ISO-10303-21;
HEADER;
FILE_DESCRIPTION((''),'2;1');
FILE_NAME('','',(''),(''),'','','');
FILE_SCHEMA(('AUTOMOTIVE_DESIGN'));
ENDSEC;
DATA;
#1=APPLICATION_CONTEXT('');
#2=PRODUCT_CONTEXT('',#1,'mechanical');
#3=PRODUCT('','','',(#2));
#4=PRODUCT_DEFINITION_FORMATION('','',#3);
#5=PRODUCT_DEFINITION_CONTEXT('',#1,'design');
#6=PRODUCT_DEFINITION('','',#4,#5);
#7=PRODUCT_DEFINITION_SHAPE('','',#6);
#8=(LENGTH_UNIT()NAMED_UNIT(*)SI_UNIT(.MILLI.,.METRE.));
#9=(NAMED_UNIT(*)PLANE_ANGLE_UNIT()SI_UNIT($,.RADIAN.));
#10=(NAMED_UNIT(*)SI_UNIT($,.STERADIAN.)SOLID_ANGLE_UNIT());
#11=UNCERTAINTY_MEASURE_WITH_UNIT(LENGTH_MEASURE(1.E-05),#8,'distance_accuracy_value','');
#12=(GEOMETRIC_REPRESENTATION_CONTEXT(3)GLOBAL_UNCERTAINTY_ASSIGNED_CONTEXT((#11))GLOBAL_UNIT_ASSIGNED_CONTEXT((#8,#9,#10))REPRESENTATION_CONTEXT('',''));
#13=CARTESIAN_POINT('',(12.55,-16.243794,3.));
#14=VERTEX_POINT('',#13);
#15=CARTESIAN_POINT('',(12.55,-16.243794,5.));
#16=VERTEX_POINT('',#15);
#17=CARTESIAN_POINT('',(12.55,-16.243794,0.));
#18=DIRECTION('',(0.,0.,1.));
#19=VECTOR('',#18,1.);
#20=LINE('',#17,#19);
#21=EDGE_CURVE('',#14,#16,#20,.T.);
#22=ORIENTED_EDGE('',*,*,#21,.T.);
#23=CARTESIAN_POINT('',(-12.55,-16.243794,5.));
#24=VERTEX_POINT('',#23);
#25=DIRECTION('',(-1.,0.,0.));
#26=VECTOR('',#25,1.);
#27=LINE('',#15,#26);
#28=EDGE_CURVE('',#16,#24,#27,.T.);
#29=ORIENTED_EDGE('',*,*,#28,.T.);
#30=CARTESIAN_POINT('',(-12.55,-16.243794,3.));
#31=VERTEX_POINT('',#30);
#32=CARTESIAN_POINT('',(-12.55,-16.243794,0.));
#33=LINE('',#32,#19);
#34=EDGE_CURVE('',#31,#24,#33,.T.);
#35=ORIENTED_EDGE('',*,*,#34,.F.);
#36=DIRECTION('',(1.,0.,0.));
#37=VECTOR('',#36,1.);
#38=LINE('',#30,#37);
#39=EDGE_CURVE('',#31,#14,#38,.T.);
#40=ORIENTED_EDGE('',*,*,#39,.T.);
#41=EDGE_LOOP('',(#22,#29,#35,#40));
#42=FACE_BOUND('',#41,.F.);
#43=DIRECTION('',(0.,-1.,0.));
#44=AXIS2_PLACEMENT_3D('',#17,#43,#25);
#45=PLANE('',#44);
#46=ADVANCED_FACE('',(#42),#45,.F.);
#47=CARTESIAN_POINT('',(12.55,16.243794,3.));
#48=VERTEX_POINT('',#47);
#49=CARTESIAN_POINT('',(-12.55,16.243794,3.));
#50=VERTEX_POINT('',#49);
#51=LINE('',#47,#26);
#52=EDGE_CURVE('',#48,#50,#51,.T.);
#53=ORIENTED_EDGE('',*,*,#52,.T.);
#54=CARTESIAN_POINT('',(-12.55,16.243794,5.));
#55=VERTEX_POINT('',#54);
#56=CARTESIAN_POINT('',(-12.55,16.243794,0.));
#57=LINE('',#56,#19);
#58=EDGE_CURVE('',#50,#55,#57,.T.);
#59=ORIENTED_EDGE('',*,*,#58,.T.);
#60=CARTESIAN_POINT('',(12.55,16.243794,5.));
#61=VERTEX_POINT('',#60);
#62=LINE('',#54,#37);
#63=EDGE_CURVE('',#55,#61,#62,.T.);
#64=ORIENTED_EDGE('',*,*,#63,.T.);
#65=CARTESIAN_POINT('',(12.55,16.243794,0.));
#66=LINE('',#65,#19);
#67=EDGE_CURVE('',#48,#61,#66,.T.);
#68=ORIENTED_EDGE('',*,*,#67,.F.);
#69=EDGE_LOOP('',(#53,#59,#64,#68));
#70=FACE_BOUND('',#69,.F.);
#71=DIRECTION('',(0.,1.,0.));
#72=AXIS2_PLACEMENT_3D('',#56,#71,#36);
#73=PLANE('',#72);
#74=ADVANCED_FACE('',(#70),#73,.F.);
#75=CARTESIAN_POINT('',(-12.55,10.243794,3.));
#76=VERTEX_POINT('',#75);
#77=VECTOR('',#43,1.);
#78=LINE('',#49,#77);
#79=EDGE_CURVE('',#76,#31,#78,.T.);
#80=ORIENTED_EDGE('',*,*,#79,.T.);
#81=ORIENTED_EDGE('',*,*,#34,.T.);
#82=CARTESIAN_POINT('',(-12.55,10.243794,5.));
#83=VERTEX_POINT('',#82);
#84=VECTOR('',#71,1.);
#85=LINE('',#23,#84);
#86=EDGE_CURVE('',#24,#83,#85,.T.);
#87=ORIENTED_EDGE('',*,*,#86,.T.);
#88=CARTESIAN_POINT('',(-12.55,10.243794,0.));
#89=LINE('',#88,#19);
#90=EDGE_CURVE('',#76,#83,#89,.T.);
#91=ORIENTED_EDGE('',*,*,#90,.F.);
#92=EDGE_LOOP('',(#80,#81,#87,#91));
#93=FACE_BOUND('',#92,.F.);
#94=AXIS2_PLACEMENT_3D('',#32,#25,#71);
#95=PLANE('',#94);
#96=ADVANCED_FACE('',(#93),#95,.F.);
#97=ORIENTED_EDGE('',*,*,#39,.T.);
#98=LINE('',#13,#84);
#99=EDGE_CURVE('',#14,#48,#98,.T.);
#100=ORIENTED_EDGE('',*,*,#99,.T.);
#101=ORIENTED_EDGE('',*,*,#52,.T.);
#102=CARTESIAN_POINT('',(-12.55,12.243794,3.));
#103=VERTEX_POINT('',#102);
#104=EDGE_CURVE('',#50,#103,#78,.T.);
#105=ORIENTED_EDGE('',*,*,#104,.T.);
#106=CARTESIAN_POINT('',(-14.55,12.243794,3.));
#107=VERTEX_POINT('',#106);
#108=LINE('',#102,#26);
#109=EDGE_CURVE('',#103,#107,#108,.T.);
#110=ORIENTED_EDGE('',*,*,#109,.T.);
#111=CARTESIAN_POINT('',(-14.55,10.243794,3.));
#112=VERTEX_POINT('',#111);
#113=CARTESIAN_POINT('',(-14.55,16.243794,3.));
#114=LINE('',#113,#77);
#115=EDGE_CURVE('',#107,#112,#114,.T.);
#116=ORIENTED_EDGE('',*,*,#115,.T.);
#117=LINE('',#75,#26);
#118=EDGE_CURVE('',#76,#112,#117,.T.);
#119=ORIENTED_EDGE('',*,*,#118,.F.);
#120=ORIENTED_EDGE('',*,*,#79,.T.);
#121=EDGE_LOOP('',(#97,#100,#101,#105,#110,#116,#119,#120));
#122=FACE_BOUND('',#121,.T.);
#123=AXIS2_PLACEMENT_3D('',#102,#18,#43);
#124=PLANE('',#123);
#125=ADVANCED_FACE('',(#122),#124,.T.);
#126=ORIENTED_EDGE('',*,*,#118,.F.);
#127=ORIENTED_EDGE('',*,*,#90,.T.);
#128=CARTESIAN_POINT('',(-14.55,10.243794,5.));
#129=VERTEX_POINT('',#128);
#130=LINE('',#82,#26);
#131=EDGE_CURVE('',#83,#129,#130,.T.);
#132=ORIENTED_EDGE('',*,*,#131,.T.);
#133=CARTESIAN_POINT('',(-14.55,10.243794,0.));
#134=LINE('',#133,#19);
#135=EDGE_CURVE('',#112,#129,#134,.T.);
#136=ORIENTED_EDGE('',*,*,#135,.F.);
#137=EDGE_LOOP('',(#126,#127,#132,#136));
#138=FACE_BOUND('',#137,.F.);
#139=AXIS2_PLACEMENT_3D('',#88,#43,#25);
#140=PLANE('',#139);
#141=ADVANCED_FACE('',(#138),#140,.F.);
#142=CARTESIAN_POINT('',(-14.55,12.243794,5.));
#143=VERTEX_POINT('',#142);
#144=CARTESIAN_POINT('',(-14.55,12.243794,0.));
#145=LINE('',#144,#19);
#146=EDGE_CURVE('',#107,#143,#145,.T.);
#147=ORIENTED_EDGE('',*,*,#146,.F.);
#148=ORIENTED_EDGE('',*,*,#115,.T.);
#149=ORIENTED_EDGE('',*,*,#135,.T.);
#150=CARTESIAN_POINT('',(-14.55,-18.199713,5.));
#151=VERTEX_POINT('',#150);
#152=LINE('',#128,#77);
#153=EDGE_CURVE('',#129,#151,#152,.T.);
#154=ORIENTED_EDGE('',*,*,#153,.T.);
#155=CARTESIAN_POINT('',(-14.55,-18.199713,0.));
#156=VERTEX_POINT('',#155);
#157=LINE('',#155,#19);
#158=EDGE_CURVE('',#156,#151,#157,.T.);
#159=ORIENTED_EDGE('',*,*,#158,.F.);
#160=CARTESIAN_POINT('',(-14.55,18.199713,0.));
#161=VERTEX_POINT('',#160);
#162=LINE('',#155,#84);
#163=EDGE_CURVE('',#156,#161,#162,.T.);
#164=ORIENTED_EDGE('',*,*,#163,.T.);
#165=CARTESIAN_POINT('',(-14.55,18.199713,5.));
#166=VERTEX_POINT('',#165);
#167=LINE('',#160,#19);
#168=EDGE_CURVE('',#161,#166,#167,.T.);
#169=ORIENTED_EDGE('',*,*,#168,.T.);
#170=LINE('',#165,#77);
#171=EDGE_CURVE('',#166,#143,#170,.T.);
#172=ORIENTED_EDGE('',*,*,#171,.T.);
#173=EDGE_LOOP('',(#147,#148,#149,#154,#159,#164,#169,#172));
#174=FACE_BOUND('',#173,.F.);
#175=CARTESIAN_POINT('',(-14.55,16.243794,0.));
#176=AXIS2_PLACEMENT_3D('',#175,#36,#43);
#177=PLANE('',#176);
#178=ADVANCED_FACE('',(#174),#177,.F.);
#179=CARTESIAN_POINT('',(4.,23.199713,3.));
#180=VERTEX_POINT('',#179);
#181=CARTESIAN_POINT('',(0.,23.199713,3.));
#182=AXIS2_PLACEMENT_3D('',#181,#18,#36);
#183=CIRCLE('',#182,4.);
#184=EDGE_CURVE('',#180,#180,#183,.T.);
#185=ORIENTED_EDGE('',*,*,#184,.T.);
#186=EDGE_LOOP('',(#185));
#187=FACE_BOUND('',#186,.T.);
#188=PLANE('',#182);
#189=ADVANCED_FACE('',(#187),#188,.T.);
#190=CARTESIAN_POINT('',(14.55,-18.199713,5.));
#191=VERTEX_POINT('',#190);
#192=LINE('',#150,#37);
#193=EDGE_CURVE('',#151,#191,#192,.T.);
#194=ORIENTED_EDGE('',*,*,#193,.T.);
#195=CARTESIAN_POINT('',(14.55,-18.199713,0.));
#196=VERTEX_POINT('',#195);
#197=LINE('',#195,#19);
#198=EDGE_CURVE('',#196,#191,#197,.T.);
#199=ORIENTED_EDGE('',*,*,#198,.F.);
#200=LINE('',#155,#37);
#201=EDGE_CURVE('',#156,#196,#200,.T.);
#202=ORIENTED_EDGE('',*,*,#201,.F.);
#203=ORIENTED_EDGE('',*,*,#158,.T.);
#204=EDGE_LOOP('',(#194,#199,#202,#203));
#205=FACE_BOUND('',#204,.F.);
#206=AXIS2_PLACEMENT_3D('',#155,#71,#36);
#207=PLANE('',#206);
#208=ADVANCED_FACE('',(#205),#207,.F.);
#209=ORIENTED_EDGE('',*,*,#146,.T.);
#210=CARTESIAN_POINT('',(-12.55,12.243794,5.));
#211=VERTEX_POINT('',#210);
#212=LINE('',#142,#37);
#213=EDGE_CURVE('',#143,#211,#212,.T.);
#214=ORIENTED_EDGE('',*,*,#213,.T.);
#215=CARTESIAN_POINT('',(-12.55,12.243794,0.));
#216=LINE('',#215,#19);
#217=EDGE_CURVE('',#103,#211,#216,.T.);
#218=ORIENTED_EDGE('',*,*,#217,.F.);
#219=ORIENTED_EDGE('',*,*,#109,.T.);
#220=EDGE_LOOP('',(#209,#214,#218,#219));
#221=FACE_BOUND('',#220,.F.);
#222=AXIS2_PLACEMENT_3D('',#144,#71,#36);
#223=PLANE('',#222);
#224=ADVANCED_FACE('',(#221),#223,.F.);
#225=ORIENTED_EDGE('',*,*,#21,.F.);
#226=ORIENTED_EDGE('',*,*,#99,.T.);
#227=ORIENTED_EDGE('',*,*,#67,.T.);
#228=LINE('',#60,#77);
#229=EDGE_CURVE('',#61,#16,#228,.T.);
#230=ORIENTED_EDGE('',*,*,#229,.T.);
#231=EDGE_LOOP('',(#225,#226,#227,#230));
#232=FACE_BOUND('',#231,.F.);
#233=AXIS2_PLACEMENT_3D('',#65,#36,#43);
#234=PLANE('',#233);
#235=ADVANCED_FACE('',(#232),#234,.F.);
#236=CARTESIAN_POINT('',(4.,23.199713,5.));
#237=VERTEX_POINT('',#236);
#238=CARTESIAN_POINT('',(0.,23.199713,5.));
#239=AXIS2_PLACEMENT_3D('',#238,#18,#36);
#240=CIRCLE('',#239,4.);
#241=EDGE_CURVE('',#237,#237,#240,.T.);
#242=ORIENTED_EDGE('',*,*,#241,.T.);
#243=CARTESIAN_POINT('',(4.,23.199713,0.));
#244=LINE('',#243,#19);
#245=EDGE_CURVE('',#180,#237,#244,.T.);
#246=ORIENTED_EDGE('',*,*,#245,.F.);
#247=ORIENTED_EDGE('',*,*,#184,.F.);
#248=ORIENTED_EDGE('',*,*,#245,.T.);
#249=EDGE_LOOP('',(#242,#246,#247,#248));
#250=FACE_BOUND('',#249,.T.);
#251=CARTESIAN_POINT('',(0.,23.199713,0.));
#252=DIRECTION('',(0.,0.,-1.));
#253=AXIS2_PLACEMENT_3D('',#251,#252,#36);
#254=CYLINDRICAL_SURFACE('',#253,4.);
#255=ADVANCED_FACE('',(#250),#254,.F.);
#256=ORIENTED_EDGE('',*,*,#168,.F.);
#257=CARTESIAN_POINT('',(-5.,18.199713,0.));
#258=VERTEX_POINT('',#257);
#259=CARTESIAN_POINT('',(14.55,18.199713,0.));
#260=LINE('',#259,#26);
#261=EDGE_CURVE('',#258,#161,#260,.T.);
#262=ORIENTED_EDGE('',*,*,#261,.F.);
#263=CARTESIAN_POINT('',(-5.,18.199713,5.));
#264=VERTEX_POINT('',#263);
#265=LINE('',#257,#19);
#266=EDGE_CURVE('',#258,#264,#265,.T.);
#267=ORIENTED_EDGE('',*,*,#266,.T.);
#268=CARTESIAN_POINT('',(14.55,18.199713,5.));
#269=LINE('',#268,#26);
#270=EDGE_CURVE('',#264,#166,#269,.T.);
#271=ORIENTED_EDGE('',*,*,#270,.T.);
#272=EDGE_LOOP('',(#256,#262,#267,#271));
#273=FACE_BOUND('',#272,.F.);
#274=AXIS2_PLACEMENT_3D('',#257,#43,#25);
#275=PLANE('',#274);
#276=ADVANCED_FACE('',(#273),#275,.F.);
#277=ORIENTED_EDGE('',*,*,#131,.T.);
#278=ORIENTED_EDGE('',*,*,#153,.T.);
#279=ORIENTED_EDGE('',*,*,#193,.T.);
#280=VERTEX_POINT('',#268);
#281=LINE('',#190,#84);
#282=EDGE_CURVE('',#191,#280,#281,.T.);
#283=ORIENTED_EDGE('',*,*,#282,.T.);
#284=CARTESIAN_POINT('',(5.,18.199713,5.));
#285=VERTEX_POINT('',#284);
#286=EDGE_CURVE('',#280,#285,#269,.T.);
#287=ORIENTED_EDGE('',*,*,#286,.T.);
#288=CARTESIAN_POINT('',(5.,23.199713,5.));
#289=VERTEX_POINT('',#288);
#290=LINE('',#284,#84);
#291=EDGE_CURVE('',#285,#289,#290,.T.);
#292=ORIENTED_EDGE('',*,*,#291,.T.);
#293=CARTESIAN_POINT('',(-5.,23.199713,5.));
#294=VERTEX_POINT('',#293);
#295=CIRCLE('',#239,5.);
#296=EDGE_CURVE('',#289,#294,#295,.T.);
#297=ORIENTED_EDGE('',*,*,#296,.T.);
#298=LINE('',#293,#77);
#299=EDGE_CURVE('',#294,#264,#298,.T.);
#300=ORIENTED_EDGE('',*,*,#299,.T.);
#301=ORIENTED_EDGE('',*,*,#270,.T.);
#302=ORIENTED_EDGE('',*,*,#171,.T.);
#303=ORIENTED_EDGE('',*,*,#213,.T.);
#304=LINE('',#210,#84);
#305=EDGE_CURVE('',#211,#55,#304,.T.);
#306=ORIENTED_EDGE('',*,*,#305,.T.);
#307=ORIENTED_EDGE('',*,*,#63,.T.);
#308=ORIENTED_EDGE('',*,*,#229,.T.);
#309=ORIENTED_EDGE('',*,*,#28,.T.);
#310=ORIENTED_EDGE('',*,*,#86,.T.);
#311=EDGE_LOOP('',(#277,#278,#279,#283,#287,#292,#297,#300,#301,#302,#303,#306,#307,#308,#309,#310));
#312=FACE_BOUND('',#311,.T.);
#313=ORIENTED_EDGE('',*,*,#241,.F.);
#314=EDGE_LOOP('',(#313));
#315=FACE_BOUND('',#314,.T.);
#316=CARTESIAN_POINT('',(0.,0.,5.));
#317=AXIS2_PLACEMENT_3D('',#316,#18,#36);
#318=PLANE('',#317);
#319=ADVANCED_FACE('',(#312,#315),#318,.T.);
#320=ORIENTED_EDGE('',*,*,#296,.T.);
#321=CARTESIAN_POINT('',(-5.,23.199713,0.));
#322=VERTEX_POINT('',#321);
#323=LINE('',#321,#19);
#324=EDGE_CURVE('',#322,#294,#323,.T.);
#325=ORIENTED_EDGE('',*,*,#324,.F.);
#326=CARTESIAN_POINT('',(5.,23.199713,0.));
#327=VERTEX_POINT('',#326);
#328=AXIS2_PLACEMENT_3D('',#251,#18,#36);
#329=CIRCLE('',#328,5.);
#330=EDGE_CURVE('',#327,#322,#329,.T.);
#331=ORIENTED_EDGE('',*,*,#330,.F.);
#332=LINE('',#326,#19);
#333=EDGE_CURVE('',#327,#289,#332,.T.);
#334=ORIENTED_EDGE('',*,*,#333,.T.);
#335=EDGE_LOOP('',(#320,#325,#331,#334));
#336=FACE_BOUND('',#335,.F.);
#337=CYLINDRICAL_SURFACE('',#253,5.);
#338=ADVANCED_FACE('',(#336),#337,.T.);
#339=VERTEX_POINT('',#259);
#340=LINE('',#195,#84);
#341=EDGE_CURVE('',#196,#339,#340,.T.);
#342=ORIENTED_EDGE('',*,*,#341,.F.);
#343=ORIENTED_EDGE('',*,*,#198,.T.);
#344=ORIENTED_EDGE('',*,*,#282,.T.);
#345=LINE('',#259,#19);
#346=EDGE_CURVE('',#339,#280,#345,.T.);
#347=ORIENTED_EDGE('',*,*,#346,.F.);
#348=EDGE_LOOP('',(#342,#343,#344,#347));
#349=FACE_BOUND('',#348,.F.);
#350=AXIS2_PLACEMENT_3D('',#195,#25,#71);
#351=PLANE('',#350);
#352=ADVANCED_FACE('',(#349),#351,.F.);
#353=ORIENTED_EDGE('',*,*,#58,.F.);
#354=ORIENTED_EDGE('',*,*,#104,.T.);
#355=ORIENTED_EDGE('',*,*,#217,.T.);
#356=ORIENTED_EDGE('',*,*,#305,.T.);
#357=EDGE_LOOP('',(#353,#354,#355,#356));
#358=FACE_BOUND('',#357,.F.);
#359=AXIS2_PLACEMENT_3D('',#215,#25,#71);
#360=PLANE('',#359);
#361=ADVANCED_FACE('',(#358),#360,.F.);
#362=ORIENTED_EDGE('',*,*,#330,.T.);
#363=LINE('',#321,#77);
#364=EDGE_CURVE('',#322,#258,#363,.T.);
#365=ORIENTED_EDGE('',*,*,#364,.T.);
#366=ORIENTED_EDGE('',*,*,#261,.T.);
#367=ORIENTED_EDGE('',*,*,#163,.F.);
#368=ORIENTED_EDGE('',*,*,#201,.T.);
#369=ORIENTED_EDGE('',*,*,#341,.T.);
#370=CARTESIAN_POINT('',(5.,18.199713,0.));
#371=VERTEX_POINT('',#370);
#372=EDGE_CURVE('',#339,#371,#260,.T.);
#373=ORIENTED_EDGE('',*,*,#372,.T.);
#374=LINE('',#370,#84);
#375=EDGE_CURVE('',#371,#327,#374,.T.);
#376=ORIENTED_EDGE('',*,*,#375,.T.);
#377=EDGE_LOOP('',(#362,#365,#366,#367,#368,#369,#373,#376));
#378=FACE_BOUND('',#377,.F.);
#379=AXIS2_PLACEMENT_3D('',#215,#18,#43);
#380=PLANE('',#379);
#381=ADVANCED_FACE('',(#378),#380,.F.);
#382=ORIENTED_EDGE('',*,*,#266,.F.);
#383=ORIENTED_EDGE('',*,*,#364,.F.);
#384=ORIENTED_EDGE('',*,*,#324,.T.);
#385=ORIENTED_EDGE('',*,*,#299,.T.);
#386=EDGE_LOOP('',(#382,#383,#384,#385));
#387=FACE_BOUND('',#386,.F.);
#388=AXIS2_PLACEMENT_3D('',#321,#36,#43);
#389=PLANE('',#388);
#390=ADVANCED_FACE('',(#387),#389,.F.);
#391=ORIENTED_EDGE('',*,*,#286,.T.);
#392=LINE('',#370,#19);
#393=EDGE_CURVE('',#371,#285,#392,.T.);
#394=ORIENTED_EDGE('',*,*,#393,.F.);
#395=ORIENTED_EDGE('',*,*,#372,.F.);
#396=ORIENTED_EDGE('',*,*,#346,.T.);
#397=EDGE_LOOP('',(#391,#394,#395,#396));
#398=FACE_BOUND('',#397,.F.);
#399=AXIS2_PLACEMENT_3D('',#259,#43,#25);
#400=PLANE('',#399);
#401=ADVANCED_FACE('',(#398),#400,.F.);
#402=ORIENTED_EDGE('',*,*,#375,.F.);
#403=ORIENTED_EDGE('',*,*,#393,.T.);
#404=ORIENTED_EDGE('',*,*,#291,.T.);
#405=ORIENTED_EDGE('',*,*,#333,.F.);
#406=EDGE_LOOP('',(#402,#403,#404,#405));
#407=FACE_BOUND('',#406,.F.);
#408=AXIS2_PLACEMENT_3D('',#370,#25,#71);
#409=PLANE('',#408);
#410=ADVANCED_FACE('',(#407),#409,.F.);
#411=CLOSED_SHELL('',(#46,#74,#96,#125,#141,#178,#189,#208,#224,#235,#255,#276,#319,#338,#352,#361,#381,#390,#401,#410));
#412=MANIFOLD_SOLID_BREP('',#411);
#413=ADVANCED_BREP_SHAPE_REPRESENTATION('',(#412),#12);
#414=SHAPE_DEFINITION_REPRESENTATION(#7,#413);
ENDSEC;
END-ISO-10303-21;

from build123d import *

# Parameters (mm, degrees)
F1_DEPTH = 3
F0_R     = 4
F2_DEPTH = 5
F3_DEPTH = 2


with BuildPart() as f1:
    # F0 (on Top) → F1 (new body)
    with BuildSketch(Plane.XY):
        Polygon((-12.55, -16.2437940022), (12.55, -16.2437940022), (12.55, 16.2437940022), (-12.55, 16.2437940022), (-12.55, 12.2437940022), (-12.55, 10.2437940022), align=None)
    extrude(amount=F1_DEPTH)



with BuildPart() as f1b:
    # F0 (on Top) → F1, piece 2 (new body)
    with BuildSketch(Plane.XY):
        with Locations((0, 23.1997125853)):
            Circle(F0_R)
    extrude(amount=F1_DEPTH)


with BuildPart() as f1_1:
    add(f1.part)

    add(f1b.part)  # F2 merges F1b
    # F0 (on Top) → F2 (join)
    with BuildSketch(Plane.XY):
        Polygon((12.55, 16.2437940022), (12.55, -16.2437940022), (-12.55, -16.2437940022), (-12.55, 10.2437940022), (-14.55, 10.2437940022), (-14.55, -18.1997125853), (2.482398646, -18.1997125853), (14.55, -18.1997125853), (14.55, 18.1997125853), (5, 18.1997125853), (0, 18.1997125853), (-5, 18.1997125853), (-14.55, 18.1997125853), (-14.55, 12.2437940022), (-12.55, 12.2437940022), (-12.55, 16.2437940022), align=None)
        with BuildLine():
            ThreePointArc((-5, 23.1997125853), (-3.5355339059, 19.6641786794), (0, 18.1997125853))
            ThreePointArc((0, 18.1997125853), (3.5355339059, 19.6641786794), (5, 23.1997125853))
            ThreePointArc((5, 23.1997125853), (0, 28.1997125853), (-5, 23.1997125853))
        make_face()
        with Locations((0, 23.1997125853)):
            Circle(F0_R, mode=Mode.SUBTRACT)
        with BuildLine():
            ThreePointArc((5, 23.1997125853), (3.5355339059, 19.6641786794), (0, 18.1997125853))
            Line((0, 18.1997125853), (5, 18.1997125853))
            Line((5, 18.1997125853), (5, 19.1997125853))
            Line((5, 19.1997125853), (5, 20.1997125853))
            Line((5, 20.1997125853), (5, 23.1997125853))
        make_face()
        with BuildLine():
            Line((-5, 23.1997125853), (-5, 18.1997125853))
            Line((-5, 18.1997125853), (0, 18.1997125853))
            ThreePointArc((0, 18.1997125853), (-3.5355339059, 19.6641786794), (-5, 23.1997125853))
        make_face()
    extrude(amount=F2_DEPTH)

    # F3 (add): a face of the model
    f3_faces = [f1_1.faces().sort_by_distance(p)[0] for p in [
        (-12.55, 11.2437940022, 1.5),
    ]]
    extrude(f3_faces, amount=F3_DEPTH)


solid = f1_1.part
